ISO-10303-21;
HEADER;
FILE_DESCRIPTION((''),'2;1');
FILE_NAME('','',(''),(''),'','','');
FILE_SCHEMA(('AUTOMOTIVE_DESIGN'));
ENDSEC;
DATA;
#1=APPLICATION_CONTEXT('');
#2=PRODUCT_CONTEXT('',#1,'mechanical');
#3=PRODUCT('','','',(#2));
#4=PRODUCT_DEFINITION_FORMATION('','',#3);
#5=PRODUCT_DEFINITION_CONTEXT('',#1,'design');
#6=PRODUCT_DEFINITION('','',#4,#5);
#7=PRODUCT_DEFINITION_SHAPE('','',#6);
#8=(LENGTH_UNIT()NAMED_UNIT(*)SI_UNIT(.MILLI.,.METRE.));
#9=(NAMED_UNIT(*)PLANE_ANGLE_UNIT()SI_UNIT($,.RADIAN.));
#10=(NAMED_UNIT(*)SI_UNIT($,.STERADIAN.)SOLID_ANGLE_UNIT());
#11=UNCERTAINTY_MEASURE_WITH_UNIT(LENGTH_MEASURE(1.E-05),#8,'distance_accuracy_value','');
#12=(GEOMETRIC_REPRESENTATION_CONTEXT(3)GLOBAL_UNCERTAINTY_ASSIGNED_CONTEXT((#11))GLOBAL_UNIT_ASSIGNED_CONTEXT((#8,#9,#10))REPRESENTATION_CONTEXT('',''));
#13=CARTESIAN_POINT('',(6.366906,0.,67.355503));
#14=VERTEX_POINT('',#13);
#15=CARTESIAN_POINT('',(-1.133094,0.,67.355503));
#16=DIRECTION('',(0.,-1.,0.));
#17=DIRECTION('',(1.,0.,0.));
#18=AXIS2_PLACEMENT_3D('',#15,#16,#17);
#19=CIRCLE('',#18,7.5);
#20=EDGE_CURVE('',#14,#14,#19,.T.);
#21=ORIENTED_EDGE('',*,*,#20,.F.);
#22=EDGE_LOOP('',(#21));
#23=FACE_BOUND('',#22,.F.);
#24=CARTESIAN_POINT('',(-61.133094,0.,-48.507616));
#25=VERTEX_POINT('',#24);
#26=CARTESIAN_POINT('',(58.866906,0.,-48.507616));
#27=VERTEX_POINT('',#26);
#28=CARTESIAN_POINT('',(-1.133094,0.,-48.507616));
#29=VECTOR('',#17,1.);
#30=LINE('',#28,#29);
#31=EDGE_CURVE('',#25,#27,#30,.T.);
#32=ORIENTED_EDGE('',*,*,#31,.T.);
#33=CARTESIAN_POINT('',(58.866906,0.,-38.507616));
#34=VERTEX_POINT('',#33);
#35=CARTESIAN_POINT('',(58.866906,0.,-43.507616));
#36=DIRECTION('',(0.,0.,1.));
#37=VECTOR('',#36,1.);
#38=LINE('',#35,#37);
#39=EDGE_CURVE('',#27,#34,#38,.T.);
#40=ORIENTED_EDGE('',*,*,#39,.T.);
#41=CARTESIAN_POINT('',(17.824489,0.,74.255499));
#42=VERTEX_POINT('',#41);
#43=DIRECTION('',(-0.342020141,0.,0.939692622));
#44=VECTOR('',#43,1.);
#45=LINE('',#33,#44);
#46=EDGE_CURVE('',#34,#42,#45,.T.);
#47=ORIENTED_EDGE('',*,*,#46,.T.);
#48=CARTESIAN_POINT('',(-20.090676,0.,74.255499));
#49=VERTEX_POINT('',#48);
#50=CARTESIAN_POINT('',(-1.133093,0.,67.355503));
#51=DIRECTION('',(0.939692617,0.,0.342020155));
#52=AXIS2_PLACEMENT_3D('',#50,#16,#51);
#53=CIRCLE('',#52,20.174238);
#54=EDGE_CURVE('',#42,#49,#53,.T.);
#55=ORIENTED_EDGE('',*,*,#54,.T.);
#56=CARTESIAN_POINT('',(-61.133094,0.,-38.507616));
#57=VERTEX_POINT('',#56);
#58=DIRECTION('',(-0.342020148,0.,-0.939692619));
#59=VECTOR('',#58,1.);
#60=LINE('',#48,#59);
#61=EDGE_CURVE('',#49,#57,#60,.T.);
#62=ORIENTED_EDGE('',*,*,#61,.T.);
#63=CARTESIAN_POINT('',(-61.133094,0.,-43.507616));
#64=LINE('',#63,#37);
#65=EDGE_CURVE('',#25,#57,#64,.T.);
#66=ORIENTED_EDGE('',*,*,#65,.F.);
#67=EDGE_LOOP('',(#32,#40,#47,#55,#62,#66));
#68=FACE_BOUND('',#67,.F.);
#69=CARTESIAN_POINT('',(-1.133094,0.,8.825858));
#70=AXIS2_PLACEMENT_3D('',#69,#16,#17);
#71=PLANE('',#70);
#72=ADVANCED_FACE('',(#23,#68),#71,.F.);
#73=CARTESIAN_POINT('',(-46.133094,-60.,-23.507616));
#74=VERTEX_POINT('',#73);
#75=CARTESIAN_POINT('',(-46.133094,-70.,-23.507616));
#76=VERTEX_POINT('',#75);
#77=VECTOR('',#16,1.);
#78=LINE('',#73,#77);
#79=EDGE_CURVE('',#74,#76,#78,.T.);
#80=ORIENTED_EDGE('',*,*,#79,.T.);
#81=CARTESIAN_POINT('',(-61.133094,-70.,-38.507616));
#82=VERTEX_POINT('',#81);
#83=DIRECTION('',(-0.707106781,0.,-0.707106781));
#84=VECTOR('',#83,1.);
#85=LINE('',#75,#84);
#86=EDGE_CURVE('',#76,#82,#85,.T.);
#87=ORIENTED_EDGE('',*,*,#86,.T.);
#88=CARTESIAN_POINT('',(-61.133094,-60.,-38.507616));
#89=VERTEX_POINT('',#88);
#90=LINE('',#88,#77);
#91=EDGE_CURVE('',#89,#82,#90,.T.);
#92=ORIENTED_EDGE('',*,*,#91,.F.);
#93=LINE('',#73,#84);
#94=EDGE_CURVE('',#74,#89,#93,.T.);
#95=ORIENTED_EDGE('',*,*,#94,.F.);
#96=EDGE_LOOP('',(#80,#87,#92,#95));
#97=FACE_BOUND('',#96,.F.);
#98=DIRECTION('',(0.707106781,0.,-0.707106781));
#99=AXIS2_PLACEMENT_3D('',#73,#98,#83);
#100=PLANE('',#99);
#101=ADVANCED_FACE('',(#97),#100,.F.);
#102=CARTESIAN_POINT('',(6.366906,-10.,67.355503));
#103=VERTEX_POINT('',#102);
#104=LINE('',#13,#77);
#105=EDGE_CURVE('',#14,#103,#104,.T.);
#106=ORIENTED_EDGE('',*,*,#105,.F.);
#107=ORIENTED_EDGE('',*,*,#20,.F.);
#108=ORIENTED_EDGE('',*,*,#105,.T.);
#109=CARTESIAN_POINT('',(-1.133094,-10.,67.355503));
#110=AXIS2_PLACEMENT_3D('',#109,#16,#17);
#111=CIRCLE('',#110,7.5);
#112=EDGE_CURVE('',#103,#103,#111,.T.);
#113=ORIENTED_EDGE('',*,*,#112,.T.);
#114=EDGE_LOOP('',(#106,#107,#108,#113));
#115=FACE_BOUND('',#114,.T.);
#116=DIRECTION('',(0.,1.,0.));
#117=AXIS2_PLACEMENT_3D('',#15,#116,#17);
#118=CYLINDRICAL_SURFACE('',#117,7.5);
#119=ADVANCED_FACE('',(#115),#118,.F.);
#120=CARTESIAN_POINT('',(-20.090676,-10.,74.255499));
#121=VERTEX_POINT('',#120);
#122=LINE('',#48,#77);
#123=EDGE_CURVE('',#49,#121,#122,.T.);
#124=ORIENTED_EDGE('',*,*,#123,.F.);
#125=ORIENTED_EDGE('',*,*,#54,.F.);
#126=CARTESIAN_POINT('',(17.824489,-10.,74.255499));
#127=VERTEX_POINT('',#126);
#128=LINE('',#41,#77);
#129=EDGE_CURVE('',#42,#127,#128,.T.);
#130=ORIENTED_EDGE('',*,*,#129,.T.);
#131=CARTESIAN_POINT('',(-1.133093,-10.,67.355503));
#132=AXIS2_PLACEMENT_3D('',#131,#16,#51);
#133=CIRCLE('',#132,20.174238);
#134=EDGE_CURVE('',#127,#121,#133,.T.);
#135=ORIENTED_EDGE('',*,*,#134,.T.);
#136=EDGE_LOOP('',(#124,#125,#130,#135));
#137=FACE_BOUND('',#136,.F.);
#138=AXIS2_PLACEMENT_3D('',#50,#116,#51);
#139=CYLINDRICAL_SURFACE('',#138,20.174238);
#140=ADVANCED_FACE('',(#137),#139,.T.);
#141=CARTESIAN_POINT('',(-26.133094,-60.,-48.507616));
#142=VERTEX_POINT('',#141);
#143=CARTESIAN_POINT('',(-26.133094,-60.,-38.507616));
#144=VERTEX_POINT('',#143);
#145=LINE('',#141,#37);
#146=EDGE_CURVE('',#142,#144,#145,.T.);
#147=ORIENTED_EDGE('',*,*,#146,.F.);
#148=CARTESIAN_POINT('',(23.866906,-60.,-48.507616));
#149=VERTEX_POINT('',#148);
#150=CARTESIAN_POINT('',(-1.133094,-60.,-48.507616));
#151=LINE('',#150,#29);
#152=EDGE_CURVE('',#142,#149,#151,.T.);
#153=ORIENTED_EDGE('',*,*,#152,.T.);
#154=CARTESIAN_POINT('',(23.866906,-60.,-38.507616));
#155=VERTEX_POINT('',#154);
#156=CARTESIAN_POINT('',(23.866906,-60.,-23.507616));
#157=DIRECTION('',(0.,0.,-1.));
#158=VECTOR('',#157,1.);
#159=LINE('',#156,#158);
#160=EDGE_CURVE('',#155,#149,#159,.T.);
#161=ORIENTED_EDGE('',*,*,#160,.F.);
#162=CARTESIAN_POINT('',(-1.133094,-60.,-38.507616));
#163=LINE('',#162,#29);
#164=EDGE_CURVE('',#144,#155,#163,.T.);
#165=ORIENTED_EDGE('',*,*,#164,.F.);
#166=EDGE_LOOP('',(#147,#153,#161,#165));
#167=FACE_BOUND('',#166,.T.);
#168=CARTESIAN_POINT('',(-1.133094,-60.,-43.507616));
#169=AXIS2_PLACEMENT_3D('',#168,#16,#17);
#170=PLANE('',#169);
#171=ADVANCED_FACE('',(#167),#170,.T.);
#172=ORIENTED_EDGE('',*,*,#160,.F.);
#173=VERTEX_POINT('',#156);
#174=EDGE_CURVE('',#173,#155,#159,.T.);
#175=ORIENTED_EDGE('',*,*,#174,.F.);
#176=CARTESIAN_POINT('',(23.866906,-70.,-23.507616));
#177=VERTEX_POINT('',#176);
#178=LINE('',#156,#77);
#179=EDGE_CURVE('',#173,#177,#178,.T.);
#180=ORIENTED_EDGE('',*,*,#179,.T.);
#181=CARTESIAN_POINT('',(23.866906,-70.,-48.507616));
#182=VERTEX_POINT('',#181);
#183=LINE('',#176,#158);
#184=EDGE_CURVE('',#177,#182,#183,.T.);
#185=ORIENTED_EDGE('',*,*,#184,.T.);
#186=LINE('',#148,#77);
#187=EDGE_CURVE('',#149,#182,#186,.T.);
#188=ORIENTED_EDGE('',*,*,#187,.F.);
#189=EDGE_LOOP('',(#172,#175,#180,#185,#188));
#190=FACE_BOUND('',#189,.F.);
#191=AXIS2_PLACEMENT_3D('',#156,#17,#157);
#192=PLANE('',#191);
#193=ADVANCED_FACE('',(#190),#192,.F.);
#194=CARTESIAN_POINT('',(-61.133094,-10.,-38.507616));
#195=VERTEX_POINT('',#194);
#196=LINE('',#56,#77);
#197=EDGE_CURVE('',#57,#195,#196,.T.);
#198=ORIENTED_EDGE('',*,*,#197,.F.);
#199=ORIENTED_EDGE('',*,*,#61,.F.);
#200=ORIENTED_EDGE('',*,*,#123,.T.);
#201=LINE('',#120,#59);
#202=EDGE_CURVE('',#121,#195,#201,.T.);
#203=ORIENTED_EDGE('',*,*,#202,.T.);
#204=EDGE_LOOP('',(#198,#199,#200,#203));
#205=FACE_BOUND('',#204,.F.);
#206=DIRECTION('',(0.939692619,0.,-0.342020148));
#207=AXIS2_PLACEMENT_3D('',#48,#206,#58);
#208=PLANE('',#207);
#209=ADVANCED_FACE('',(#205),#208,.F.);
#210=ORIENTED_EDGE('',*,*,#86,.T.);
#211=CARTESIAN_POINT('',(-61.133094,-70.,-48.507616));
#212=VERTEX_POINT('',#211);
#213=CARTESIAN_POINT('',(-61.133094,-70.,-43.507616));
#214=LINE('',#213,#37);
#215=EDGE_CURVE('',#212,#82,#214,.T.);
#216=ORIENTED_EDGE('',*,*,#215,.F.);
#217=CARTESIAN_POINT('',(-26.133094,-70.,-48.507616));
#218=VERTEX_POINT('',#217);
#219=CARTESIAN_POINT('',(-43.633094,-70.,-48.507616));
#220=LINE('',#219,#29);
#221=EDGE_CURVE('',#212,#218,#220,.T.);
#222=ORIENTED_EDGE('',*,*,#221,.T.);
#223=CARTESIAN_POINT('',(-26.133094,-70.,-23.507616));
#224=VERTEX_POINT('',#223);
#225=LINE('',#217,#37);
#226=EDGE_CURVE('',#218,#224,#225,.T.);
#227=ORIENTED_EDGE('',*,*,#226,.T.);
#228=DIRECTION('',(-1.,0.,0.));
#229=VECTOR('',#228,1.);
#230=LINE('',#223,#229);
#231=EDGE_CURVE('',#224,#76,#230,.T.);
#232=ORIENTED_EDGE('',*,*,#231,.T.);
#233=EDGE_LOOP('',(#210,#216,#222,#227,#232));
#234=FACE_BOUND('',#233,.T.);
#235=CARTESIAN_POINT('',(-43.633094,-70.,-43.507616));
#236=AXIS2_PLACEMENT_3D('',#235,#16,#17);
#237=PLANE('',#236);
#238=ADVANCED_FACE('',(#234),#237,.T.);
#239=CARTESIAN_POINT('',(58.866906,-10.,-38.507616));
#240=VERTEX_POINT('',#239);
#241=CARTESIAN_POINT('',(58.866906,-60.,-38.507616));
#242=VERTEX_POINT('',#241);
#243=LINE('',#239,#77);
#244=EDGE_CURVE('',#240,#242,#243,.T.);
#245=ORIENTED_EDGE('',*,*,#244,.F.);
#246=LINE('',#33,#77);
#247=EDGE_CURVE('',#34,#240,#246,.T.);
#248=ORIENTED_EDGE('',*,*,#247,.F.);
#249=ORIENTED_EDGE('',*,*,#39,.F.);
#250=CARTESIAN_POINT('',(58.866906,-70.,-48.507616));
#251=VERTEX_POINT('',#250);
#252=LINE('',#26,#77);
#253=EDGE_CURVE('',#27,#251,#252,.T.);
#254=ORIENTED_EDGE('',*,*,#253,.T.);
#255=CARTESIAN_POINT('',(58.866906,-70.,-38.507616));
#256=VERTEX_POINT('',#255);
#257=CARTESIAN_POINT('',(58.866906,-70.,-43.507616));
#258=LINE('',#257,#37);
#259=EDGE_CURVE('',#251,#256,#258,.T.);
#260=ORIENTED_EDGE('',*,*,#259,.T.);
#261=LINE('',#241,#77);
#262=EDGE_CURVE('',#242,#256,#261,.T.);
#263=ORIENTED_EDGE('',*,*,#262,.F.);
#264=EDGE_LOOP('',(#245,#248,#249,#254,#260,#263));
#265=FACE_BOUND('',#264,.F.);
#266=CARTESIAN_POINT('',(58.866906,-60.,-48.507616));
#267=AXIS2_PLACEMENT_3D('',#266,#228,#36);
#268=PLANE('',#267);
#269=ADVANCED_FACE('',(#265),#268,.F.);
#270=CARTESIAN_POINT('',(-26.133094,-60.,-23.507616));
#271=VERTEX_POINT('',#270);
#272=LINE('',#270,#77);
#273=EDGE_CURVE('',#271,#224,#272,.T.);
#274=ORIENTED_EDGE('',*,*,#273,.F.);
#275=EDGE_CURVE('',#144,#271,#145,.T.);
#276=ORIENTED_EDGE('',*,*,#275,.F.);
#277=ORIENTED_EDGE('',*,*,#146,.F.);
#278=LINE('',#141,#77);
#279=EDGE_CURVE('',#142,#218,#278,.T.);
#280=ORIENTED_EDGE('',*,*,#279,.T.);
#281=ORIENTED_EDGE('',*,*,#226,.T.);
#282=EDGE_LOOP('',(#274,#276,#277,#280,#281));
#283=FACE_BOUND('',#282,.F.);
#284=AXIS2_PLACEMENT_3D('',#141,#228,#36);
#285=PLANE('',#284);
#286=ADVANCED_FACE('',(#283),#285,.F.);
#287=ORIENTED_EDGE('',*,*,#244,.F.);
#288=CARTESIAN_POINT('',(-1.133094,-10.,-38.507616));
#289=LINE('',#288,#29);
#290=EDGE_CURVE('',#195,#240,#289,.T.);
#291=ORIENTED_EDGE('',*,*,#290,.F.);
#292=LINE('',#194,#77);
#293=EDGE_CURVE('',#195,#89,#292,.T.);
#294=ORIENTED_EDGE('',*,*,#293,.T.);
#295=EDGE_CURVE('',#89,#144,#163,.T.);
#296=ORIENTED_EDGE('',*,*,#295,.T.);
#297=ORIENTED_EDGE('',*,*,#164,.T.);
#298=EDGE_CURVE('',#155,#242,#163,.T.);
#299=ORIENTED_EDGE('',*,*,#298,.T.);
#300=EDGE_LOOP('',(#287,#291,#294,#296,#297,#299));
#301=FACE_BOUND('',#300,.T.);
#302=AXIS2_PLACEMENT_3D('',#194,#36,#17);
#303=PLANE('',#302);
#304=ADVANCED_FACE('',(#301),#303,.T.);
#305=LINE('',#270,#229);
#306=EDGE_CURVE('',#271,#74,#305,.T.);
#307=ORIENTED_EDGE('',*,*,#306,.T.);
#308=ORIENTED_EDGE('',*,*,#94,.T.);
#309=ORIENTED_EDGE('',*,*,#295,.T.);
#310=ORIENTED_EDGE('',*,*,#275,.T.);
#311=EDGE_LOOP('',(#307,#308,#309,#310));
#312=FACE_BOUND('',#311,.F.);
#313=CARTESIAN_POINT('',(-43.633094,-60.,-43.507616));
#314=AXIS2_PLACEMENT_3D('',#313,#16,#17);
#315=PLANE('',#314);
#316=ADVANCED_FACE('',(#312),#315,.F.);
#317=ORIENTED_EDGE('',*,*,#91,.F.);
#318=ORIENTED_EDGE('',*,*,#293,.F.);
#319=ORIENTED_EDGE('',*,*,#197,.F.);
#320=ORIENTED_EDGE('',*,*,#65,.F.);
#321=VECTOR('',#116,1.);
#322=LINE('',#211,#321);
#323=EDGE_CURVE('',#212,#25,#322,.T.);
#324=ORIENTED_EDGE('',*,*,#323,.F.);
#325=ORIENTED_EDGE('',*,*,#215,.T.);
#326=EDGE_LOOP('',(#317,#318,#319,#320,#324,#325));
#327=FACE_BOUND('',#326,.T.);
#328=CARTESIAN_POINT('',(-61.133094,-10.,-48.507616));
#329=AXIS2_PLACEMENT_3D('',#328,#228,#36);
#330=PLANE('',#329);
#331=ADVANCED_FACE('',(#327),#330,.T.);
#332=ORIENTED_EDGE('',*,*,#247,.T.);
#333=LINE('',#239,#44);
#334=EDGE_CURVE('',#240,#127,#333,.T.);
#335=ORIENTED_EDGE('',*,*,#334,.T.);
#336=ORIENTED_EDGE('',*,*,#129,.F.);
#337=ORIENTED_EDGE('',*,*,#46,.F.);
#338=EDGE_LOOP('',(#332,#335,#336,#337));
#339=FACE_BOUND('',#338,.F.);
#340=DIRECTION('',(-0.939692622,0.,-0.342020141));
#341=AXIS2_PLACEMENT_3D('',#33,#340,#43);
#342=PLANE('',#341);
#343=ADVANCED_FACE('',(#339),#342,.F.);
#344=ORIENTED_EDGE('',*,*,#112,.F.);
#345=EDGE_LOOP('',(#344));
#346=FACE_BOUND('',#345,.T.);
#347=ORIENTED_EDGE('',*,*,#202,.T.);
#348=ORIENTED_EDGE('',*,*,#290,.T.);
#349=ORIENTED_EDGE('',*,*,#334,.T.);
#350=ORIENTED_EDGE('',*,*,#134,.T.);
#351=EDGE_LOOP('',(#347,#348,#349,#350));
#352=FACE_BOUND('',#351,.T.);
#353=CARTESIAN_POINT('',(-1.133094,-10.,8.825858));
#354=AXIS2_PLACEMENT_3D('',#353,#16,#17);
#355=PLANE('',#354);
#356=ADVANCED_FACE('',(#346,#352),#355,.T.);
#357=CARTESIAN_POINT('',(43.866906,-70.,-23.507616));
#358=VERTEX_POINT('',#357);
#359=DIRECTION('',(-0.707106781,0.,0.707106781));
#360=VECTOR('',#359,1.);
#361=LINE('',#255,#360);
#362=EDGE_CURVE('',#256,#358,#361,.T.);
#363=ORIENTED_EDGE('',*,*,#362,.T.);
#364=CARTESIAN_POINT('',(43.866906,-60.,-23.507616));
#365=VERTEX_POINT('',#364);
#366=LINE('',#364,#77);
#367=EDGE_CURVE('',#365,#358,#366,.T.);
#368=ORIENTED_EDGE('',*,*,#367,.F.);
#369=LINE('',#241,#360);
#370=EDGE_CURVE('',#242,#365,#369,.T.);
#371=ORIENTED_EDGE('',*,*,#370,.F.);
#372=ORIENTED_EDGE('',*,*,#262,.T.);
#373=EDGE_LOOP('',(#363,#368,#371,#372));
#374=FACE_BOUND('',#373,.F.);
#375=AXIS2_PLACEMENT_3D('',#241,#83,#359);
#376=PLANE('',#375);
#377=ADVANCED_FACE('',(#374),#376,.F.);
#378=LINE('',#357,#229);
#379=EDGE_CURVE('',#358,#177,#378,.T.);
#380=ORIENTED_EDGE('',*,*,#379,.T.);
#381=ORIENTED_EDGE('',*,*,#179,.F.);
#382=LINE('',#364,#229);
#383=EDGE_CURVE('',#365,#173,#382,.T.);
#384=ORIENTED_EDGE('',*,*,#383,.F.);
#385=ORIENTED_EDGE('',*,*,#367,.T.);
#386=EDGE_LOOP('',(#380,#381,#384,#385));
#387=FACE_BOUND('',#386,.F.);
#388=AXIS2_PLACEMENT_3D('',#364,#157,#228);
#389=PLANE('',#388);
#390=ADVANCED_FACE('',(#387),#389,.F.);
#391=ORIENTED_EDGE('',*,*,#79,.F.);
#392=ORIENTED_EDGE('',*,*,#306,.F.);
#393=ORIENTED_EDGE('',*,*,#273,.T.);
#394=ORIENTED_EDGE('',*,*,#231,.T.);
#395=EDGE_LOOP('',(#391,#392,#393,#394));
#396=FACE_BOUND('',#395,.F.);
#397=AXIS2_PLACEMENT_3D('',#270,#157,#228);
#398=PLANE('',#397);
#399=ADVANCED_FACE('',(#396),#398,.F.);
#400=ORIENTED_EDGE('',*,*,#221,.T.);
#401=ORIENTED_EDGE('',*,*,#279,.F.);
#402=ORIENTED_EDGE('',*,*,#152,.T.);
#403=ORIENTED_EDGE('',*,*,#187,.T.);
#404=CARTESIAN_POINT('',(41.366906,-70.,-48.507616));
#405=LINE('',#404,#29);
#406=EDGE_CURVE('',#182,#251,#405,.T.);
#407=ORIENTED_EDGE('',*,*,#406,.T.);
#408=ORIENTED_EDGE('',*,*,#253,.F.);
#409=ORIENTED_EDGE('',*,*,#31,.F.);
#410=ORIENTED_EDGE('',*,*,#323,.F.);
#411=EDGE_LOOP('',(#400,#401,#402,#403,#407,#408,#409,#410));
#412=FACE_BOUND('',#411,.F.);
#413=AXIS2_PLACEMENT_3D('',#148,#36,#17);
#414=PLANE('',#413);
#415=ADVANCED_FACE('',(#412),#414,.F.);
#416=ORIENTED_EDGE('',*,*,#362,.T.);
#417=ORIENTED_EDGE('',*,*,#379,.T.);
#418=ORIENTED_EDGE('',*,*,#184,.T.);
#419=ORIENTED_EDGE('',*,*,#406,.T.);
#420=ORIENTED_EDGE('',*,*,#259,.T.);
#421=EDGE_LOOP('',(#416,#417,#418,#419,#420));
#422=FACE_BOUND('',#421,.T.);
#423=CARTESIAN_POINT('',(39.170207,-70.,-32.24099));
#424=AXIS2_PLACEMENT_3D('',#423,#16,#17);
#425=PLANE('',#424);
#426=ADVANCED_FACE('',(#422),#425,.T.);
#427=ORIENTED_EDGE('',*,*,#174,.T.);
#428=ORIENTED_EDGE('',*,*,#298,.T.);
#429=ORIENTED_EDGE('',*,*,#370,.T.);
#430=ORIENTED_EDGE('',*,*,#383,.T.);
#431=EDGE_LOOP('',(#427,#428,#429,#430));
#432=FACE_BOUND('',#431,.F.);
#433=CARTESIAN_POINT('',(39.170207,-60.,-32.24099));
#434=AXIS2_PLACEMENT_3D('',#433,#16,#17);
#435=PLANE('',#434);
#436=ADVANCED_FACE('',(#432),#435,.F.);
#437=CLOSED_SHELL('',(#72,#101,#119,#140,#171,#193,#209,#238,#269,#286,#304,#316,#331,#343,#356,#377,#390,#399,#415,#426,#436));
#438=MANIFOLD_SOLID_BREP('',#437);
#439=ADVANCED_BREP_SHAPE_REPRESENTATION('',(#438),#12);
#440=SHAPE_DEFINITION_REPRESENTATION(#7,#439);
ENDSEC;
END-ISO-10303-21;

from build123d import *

# Parameters (mm, degrees)
F0_R     = 7.5
F0_W     = 120
F0_H     = 10
F1_DEPTH = 10
F2_W     = 120
F2_H     = 10
F3_DEPTH = 50
F4_W     = 35
F4_H     = 10
F5_DEPTH = 10


with BuildPart() as f1:
    # F0 (on Front) → F1 (new body)
    with BuildSketch(Plane.XZ):
        with BuildLine():
            Line((-20.090676, 74.255499), (-61.133094, -38.507616))
            Line((-61.133094, -38.507616), (58.866906, -38.507616))
            Line((58.866906, -38.507616), (17.824489, 74.255499))
            ThreePointArc((17.824489, 74.255499), (-1.133094, 87.529741), (-20.090676, 74.255499))
        make_face()
        with Locations((-1.133094, 67.355503)):
            Circle(F0_R, mode=Mode.SUBTRACT)
        with Locations((-1.133094, -43.507616)):
            Rectangle(F0_W, F0_H)
    extrude(amount=F1_DEPTH)

    # F2 (on face) → F3 (join)
    with BuildSketch(Plane.XZ.offset(10)):
        with Locations((-1.133094, -43.507616)):
            Rectangle(F2_W, F2_H)
    extrude(amount=F3_DEPTH)

    # F4 (on face) → F5 (join)
    with BuildSketch(Plane.XZ.offset(60)):
        Polygon((23.866906, -23.507616), (23.866906, -38.507616), (58.866906, -38.507616), (43.866906, -23.507616), align=None)
        with Locations((-43.633094, -43.507616)):
            Rectangle(F4_W, F4_H)
        with Locations((41.366906, -43.507616)):
            Rectangle(F4_W, F4_H)
        Polygon((-46.133094, -23.507616), (-61.133094, -38.507616), (-26.133094, -38.507616), (-26.133094, -23.507616), align=None)
    extrude(amount=F5_DEPTH)


solid = f1.part
